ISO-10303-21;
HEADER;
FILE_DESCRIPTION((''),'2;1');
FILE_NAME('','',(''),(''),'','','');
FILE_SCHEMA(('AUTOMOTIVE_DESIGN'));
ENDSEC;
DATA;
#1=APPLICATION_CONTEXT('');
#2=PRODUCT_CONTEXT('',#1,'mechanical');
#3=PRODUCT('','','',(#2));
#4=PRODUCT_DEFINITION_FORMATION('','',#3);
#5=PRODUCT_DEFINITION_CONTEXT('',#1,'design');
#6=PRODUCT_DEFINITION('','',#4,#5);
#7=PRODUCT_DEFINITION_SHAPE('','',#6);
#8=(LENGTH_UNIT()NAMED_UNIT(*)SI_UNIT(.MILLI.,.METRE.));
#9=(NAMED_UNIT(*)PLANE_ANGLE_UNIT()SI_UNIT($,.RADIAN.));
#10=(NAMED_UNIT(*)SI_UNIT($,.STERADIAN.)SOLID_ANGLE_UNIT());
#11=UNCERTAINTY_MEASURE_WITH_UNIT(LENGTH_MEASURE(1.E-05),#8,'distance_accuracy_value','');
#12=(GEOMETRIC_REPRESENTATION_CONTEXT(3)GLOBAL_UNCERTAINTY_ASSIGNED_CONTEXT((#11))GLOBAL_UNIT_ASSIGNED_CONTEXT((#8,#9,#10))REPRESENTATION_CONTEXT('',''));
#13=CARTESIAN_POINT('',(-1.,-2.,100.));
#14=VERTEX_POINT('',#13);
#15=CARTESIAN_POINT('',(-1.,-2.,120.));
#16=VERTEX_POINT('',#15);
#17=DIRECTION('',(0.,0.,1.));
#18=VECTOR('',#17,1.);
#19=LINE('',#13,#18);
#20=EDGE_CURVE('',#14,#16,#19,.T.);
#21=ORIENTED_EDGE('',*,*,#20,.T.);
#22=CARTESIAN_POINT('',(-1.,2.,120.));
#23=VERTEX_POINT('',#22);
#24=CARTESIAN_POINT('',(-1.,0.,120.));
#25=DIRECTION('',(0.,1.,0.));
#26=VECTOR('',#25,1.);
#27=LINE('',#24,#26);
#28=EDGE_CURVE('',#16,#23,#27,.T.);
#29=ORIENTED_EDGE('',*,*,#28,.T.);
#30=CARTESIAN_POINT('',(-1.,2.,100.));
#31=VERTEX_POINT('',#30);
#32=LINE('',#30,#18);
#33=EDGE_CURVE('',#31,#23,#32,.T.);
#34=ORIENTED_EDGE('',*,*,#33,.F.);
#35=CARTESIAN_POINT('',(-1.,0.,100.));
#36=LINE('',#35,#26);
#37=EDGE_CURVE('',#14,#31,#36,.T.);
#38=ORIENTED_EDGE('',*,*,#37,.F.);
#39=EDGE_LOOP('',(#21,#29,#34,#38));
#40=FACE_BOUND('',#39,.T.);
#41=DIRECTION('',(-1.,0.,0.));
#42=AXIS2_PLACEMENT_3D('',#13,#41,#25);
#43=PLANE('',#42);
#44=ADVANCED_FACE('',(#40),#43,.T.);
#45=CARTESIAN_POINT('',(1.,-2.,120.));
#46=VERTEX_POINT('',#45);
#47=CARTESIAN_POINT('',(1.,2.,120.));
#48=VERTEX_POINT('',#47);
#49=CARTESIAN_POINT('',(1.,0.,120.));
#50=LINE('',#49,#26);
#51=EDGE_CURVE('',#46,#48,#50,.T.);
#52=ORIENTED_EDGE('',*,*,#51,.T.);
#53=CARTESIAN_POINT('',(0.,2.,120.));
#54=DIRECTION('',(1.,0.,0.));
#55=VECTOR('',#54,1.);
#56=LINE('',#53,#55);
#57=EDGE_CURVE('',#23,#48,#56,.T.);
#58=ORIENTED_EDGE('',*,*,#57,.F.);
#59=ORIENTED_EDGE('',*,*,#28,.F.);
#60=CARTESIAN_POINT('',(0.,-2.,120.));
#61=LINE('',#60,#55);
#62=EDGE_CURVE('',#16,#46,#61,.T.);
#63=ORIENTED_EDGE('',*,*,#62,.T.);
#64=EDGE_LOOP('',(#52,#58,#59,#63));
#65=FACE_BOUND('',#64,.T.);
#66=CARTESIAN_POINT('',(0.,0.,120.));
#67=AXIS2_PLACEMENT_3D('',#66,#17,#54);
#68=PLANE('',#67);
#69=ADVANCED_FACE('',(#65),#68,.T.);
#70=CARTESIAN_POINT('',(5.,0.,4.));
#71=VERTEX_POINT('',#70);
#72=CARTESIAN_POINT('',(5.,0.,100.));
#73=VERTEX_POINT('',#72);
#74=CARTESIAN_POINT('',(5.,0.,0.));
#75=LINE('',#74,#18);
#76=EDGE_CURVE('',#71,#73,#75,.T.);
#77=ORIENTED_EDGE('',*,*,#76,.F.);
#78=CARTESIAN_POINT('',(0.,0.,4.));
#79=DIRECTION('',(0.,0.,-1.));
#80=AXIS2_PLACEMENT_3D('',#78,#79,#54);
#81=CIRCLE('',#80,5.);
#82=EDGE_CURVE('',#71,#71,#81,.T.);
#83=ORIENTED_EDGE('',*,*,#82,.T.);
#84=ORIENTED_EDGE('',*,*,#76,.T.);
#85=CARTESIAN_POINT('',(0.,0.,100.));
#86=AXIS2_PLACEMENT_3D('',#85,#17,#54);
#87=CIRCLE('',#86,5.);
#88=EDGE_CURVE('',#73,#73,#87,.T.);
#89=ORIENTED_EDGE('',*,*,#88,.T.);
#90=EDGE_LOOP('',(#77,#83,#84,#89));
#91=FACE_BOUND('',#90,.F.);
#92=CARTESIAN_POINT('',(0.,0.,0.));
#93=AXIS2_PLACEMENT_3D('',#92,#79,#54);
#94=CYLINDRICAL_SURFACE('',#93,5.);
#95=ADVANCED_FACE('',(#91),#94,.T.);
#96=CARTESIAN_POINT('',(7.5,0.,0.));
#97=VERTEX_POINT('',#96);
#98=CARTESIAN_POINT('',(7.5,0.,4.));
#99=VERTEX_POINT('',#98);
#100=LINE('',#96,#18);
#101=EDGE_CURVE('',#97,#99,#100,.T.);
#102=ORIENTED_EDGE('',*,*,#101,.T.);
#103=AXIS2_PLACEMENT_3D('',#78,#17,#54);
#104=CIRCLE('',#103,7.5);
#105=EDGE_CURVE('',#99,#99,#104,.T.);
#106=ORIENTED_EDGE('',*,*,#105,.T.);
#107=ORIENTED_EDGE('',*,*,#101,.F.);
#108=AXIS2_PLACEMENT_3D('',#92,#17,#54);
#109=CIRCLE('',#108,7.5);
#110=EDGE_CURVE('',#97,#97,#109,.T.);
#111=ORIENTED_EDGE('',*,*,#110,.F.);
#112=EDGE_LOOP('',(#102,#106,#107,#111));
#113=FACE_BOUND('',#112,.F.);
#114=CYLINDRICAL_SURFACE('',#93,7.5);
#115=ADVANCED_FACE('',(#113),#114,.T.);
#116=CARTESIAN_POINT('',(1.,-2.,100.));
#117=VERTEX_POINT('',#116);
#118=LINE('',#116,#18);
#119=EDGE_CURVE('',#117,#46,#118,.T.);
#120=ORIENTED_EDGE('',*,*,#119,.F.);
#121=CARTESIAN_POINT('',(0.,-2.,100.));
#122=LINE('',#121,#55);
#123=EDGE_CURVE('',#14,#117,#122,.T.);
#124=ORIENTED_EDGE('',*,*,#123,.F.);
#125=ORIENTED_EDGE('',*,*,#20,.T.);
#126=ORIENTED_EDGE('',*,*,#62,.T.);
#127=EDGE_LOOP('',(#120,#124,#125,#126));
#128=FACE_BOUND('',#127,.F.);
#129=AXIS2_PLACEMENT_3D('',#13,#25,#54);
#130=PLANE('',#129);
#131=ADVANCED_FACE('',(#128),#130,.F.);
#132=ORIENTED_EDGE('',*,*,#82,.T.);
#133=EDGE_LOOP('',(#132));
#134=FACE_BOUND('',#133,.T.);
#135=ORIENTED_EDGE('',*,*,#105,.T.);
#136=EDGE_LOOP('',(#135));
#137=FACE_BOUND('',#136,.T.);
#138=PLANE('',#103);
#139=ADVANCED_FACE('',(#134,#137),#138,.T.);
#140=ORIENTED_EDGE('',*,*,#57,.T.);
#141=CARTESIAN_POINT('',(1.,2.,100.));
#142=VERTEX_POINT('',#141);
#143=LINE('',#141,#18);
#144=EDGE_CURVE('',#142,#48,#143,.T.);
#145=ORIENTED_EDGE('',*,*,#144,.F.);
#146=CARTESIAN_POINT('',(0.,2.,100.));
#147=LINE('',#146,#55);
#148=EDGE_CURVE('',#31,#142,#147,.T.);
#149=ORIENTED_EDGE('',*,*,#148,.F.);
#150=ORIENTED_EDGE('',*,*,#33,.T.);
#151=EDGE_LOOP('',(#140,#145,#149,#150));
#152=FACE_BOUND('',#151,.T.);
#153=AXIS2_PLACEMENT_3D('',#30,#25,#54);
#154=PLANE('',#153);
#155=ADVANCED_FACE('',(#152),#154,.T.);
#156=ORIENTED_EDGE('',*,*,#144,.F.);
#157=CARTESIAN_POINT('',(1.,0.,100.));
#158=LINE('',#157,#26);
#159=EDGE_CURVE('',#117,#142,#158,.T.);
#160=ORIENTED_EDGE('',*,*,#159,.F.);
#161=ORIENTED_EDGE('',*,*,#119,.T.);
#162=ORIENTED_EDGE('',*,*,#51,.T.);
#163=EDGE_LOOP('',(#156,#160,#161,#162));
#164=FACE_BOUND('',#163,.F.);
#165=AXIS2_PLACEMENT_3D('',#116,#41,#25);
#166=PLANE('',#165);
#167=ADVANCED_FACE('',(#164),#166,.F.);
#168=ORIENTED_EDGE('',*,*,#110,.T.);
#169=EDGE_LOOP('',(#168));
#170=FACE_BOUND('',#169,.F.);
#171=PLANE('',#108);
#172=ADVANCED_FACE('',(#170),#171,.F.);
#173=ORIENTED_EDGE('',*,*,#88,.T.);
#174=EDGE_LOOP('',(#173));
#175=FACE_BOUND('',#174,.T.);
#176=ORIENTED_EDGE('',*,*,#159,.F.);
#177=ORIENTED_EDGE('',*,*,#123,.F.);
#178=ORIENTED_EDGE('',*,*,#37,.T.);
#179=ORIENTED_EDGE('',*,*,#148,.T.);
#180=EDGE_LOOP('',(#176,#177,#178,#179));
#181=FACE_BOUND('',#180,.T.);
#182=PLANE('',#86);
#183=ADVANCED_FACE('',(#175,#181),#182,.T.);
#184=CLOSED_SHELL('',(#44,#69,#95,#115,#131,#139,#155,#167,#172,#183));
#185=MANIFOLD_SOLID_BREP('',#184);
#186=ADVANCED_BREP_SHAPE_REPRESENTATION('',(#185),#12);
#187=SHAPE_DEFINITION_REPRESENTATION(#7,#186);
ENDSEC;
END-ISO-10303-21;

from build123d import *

# Parameters (mm, degrees)
F0_R     = 7.5
F1_DEPTH = 4
F2_R     = 5
F3_DEPTH = 100
F4_W     = 2
F4_H     = 4
F5_DEPTH = 20


with BuildPart() as f1:
    # F0 (on Top) → F1 (new body)
    with BuildSketch(Plane.XY):
        Circle(F0_R)
    extrude(amount=F1_DEPTH)

    # F2 (on Top) → F3 (join)
    with BuildSketch(Plane.XY):
        Circle(F2_R)
    extrude(amount=F3_DEPTH)

    # F4 (on face) → F5 (join)
    with BuildSketch(Plane.XY.offset(100)):
        Rectangle(F4_W, F4_H)
    extrude(amount=F5_DEPTH)


solid = f1.part
